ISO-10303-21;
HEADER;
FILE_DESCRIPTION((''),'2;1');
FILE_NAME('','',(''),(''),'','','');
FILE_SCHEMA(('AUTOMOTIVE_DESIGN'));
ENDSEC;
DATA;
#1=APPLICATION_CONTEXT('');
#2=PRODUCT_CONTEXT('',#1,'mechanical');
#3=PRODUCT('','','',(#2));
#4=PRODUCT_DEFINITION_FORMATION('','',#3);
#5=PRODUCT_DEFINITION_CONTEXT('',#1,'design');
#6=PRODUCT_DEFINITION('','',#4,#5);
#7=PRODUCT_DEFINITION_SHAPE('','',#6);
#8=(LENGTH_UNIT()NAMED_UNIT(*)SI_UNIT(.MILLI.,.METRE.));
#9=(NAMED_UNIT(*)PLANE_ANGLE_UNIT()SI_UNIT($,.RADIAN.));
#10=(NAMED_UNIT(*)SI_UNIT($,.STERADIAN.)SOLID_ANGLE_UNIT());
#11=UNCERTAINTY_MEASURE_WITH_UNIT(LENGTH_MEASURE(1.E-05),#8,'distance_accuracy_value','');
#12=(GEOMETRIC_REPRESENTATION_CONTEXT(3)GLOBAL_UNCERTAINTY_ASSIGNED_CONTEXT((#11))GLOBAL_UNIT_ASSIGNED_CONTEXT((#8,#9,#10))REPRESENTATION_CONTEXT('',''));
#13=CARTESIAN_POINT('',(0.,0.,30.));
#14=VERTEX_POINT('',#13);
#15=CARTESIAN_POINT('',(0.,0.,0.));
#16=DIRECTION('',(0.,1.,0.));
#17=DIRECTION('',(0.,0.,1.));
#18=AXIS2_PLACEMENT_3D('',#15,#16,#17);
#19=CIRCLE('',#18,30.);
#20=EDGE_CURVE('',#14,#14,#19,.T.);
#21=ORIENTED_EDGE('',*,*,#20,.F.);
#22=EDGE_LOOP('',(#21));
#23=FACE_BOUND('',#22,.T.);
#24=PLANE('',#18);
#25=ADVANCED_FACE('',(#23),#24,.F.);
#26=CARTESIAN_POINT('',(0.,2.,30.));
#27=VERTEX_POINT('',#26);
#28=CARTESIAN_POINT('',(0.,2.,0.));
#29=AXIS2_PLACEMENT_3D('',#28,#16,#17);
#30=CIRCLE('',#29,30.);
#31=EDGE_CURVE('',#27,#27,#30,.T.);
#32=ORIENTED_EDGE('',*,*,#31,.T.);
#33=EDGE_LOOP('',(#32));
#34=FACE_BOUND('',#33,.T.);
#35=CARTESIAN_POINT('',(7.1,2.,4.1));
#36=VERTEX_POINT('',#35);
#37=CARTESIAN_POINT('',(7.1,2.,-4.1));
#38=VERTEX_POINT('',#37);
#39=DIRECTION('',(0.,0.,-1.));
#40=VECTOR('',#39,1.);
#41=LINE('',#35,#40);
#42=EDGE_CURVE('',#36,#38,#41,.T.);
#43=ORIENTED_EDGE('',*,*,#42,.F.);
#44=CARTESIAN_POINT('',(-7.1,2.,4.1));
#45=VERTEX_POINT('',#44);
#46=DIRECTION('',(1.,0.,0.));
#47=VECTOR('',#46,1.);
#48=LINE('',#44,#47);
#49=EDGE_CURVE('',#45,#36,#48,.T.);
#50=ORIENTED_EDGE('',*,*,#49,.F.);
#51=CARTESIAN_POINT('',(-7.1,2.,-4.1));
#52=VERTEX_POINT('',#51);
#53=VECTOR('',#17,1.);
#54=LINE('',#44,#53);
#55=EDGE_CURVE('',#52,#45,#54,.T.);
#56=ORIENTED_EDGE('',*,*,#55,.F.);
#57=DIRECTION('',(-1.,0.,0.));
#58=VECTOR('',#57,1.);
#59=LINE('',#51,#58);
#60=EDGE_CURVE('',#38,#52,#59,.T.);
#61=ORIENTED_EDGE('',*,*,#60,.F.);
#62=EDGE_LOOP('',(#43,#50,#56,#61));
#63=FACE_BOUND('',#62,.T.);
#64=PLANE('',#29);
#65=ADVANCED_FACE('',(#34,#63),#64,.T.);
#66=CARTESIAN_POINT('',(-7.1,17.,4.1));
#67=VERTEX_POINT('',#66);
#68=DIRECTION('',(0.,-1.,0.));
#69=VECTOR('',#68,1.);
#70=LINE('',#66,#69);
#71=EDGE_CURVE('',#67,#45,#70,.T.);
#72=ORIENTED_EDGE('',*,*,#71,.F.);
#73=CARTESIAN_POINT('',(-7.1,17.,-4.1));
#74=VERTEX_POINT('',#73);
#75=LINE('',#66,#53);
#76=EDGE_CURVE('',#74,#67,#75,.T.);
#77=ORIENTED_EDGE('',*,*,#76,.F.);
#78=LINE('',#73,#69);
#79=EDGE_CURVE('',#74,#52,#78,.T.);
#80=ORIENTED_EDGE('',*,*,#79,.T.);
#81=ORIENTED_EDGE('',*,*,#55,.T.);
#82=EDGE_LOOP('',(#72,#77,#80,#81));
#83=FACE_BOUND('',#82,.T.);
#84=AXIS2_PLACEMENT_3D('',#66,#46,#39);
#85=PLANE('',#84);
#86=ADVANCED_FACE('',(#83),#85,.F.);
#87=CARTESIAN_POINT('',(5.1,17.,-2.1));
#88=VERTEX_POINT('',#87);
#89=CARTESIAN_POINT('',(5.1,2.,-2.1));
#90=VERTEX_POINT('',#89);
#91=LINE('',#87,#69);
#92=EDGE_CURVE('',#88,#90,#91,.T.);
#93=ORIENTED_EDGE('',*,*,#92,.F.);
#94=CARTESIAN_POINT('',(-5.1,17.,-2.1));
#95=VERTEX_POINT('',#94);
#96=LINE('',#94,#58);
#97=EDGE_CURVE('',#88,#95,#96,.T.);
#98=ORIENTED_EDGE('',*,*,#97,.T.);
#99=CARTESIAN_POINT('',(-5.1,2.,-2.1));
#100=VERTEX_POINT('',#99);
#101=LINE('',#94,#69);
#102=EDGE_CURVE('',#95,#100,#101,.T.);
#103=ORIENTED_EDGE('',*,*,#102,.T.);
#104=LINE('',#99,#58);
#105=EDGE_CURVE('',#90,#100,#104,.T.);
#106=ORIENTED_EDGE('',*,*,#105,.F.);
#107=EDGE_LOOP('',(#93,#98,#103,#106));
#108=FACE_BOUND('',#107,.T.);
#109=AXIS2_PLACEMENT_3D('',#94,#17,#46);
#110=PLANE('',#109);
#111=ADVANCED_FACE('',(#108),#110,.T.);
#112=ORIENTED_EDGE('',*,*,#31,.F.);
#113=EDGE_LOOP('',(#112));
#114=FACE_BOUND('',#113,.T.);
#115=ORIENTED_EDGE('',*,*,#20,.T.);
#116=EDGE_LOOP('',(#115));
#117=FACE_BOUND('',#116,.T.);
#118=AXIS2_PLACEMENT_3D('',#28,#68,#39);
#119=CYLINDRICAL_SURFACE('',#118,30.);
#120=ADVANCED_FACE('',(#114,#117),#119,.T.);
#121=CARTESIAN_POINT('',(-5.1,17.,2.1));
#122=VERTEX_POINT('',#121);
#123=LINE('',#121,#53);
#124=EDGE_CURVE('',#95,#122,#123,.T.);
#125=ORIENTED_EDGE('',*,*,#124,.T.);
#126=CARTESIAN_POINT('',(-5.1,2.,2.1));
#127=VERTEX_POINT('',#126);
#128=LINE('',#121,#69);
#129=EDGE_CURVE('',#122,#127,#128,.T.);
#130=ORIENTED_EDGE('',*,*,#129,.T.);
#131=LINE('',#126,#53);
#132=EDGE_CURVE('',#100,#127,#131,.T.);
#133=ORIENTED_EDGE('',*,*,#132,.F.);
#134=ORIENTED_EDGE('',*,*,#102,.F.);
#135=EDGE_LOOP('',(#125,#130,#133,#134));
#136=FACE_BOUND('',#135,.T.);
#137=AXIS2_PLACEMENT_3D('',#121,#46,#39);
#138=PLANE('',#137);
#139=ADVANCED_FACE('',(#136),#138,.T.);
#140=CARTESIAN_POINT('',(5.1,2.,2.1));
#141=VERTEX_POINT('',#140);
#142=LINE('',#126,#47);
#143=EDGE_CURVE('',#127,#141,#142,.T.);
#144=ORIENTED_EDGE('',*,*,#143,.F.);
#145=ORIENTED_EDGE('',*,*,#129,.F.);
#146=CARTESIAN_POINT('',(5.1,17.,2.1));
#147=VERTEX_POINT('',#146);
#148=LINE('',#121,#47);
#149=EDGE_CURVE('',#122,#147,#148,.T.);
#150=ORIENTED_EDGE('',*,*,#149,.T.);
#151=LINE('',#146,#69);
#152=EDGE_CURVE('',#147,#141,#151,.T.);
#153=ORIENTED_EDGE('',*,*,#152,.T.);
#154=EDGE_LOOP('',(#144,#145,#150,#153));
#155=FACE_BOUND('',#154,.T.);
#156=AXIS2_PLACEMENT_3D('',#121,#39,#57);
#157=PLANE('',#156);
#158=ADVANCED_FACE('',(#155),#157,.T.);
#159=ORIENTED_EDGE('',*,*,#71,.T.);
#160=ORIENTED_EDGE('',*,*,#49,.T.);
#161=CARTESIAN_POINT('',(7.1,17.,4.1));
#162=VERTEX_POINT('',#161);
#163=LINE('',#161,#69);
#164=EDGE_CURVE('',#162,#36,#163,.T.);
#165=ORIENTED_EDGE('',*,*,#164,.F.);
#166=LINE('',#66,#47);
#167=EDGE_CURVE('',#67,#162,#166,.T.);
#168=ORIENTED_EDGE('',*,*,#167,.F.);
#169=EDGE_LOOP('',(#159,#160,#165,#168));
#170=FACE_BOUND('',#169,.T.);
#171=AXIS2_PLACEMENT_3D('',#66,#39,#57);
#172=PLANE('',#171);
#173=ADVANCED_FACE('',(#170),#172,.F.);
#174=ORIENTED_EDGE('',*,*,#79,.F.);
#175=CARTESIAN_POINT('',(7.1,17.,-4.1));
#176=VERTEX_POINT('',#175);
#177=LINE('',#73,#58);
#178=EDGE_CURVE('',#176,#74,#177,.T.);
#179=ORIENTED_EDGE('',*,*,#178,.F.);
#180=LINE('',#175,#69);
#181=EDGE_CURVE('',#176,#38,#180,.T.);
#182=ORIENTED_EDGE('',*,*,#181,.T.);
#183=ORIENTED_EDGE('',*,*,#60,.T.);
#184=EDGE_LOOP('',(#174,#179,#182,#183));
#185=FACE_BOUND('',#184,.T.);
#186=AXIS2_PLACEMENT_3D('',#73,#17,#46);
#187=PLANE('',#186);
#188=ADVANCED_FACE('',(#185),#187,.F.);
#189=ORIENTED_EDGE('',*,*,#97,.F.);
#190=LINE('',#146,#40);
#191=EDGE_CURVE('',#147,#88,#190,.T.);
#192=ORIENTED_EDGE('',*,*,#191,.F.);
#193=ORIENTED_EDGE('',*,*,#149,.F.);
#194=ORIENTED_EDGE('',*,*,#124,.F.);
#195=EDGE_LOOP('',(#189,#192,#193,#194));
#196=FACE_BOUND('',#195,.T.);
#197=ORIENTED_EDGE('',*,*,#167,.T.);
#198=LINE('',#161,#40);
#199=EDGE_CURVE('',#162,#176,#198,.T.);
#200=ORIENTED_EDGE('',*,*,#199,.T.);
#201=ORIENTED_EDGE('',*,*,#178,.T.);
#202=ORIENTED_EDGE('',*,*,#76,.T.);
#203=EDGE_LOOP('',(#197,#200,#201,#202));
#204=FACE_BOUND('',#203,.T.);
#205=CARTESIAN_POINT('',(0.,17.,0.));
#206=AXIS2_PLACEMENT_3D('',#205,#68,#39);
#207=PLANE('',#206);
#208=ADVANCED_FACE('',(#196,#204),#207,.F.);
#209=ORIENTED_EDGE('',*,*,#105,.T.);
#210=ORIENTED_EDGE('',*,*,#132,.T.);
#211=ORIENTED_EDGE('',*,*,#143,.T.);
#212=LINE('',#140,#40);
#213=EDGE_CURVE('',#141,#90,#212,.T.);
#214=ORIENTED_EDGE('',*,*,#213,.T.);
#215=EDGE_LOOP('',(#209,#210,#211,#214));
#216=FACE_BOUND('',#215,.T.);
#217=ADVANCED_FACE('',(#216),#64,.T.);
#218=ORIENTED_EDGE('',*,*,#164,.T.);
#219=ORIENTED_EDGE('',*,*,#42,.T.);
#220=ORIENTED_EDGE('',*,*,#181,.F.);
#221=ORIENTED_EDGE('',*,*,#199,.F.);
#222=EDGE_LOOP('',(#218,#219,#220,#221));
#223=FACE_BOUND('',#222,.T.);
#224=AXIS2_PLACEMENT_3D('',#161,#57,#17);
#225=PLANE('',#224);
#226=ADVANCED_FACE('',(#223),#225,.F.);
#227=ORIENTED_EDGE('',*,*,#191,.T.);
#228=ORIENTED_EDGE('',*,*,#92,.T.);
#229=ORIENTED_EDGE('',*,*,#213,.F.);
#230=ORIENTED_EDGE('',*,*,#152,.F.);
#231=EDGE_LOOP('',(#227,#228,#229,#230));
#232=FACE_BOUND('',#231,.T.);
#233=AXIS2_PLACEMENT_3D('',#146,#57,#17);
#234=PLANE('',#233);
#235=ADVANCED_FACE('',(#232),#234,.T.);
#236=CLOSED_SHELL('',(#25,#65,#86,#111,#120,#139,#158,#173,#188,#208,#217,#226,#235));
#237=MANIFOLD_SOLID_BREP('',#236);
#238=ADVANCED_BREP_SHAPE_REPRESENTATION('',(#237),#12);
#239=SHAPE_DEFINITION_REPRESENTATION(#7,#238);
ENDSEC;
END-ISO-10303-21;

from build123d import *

# Parameters (mm, degrees)
ESQUISSE1_R        = 30
BOSS_EXTRU_1_DEPTH = 2
ESQUISSE2_W        = 14.2
ESQUISSE2_H        = 8.2
ESQUISSE2_W_2      = 10.2
ESQUISSE2_H_2      = 4.2
BOSS_EXTRU_2_DEPTH = 15


with BuildPart() as part:
    # Esquisse1 → Boss.-Extru.1 (new body)
    with BuildSketch(Plane(origin=(0, 0, 0), x_dir=(1, 0, 0), z_dir=(0, 1, 0))):
        with Locations(Location((0, 0, 0), (0, 0, 270))):
            Circle(ESQUISSE1_R)
    extrude(amount=BOSS_EXTRU_1_DEPTH)

    # Esquisse2 → Boss.-Extru.2 (add)
    with BuildSketch(Plane(origin=(0, 2, 0), x_dir=(1, 0, 0), z_dir=(0, 1, 0))):
        Rectangle(ESQUISSE2_W, ESQUISSE2_H)
        Rectangle(ESQUISSE2_W_2, ESQUISSE2_H_2, mode=Mode.SUBTRACT)
    extrude(amount=BOSS_EXTRU_2_DEPTH)


solid = part.part
